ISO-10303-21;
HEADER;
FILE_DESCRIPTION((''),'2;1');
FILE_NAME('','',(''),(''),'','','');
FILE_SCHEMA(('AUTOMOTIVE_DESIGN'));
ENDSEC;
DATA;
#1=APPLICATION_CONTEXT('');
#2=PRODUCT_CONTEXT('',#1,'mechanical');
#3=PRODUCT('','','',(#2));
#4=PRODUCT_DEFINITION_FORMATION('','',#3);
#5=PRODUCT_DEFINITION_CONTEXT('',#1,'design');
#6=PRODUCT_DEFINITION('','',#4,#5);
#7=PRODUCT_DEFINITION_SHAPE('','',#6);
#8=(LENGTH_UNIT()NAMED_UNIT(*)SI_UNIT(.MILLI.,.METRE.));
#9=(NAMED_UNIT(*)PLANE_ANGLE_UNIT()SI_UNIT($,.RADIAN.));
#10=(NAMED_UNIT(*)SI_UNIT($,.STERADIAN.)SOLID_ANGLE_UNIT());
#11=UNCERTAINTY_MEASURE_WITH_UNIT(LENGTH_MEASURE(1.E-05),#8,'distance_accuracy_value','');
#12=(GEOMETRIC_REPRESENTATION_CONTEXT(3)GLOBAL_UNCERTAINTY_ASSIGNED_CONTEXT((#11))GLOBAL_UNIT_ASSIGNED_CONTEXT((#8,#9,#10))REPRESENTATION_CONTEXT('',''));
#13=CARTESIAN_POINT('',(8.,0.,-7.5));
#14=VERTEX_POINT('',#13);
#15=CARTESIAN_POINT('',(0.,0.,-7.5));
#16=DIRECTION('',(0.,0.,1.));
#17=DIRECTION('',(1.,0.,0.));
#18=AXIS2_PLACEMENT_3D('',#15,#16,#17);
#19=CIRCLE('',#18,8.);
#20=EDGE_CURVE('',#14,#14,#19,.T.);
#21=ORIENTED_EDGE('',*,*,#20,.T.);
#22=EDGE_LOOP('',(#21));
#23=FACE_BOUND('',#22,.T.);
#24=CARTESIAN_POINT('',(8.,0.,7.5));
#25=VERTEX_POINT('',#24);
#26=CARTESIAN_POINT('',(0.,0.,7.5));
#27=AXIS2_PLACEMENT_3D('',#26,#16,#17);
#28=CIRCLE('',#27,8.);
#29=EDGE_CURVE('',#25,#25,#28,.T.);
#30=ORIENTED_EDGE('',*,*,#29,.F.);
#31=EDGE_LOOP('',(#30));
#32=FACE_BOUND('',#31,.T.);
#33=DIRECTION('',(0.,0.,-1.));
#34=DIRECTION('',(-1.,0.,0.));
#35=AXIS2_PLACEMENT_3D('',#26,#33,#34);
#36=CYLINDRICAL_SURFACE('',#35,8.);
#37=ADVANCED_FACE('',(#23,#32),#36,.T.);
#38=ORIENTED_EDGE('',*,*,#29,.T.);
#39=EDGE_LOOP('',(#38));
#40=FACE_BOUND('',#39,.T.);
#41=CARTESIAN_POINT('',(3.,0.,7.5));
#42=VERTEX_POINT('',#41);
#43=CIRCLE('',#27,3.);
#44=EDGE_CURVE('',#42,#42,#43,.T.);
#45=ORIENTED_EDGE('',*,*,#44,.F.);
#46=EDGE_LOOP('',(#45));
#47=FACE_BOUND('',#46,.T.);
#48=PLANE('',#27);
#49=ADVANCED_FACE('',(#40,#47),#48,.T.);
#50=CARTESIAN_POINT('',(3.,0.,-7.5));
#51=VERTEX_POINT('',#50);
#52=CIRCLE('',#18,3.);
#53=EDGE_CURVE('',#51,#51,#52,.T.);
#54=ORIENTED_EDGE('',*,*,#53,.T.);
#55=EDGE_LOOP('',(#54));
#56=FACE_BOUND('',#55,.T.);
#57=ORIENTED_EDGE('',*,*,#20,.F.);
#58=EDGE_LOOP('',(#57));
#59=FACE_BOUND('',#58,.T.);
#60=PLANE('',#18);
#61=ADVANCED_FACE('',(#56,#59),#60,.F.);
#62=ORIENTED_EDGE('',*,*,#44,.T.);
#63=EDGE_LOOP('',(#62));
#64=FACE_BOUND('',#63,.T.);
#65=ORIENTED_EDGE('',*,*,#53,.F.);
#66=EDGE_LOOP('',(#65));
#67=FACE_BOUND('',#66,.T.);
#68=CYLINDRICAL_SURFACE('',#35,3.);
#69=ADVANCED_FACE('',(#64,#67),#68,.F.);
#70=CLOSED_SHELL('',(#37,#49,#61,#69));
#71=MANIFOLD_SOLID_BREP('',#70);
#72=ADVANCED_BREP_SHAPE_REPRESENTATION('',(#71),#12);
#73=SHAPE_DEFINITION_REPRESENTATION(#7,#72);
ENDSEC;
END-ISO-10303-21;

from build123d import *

# Parameters (mm, degrees)
ESBO_O1_R                = 8
ESBO_O1_R_2              = 3
RESSALTO_EXTRUS_O1_DEPTH = 7.5


with BuildPart() as part:
    # Esboço1 → Ressalto-extrusão1 (new, symmetric)
    with BuildSketch(Plane.XY):
        Circle(ESBO_O1_R)
        Circle(ESBO_O1_R_2, mode=Mode.SUBTRACT)
    extrude(amount=RESSALTO_EXTRUS_O1_DEPTH, both=True)


solid = part.part
